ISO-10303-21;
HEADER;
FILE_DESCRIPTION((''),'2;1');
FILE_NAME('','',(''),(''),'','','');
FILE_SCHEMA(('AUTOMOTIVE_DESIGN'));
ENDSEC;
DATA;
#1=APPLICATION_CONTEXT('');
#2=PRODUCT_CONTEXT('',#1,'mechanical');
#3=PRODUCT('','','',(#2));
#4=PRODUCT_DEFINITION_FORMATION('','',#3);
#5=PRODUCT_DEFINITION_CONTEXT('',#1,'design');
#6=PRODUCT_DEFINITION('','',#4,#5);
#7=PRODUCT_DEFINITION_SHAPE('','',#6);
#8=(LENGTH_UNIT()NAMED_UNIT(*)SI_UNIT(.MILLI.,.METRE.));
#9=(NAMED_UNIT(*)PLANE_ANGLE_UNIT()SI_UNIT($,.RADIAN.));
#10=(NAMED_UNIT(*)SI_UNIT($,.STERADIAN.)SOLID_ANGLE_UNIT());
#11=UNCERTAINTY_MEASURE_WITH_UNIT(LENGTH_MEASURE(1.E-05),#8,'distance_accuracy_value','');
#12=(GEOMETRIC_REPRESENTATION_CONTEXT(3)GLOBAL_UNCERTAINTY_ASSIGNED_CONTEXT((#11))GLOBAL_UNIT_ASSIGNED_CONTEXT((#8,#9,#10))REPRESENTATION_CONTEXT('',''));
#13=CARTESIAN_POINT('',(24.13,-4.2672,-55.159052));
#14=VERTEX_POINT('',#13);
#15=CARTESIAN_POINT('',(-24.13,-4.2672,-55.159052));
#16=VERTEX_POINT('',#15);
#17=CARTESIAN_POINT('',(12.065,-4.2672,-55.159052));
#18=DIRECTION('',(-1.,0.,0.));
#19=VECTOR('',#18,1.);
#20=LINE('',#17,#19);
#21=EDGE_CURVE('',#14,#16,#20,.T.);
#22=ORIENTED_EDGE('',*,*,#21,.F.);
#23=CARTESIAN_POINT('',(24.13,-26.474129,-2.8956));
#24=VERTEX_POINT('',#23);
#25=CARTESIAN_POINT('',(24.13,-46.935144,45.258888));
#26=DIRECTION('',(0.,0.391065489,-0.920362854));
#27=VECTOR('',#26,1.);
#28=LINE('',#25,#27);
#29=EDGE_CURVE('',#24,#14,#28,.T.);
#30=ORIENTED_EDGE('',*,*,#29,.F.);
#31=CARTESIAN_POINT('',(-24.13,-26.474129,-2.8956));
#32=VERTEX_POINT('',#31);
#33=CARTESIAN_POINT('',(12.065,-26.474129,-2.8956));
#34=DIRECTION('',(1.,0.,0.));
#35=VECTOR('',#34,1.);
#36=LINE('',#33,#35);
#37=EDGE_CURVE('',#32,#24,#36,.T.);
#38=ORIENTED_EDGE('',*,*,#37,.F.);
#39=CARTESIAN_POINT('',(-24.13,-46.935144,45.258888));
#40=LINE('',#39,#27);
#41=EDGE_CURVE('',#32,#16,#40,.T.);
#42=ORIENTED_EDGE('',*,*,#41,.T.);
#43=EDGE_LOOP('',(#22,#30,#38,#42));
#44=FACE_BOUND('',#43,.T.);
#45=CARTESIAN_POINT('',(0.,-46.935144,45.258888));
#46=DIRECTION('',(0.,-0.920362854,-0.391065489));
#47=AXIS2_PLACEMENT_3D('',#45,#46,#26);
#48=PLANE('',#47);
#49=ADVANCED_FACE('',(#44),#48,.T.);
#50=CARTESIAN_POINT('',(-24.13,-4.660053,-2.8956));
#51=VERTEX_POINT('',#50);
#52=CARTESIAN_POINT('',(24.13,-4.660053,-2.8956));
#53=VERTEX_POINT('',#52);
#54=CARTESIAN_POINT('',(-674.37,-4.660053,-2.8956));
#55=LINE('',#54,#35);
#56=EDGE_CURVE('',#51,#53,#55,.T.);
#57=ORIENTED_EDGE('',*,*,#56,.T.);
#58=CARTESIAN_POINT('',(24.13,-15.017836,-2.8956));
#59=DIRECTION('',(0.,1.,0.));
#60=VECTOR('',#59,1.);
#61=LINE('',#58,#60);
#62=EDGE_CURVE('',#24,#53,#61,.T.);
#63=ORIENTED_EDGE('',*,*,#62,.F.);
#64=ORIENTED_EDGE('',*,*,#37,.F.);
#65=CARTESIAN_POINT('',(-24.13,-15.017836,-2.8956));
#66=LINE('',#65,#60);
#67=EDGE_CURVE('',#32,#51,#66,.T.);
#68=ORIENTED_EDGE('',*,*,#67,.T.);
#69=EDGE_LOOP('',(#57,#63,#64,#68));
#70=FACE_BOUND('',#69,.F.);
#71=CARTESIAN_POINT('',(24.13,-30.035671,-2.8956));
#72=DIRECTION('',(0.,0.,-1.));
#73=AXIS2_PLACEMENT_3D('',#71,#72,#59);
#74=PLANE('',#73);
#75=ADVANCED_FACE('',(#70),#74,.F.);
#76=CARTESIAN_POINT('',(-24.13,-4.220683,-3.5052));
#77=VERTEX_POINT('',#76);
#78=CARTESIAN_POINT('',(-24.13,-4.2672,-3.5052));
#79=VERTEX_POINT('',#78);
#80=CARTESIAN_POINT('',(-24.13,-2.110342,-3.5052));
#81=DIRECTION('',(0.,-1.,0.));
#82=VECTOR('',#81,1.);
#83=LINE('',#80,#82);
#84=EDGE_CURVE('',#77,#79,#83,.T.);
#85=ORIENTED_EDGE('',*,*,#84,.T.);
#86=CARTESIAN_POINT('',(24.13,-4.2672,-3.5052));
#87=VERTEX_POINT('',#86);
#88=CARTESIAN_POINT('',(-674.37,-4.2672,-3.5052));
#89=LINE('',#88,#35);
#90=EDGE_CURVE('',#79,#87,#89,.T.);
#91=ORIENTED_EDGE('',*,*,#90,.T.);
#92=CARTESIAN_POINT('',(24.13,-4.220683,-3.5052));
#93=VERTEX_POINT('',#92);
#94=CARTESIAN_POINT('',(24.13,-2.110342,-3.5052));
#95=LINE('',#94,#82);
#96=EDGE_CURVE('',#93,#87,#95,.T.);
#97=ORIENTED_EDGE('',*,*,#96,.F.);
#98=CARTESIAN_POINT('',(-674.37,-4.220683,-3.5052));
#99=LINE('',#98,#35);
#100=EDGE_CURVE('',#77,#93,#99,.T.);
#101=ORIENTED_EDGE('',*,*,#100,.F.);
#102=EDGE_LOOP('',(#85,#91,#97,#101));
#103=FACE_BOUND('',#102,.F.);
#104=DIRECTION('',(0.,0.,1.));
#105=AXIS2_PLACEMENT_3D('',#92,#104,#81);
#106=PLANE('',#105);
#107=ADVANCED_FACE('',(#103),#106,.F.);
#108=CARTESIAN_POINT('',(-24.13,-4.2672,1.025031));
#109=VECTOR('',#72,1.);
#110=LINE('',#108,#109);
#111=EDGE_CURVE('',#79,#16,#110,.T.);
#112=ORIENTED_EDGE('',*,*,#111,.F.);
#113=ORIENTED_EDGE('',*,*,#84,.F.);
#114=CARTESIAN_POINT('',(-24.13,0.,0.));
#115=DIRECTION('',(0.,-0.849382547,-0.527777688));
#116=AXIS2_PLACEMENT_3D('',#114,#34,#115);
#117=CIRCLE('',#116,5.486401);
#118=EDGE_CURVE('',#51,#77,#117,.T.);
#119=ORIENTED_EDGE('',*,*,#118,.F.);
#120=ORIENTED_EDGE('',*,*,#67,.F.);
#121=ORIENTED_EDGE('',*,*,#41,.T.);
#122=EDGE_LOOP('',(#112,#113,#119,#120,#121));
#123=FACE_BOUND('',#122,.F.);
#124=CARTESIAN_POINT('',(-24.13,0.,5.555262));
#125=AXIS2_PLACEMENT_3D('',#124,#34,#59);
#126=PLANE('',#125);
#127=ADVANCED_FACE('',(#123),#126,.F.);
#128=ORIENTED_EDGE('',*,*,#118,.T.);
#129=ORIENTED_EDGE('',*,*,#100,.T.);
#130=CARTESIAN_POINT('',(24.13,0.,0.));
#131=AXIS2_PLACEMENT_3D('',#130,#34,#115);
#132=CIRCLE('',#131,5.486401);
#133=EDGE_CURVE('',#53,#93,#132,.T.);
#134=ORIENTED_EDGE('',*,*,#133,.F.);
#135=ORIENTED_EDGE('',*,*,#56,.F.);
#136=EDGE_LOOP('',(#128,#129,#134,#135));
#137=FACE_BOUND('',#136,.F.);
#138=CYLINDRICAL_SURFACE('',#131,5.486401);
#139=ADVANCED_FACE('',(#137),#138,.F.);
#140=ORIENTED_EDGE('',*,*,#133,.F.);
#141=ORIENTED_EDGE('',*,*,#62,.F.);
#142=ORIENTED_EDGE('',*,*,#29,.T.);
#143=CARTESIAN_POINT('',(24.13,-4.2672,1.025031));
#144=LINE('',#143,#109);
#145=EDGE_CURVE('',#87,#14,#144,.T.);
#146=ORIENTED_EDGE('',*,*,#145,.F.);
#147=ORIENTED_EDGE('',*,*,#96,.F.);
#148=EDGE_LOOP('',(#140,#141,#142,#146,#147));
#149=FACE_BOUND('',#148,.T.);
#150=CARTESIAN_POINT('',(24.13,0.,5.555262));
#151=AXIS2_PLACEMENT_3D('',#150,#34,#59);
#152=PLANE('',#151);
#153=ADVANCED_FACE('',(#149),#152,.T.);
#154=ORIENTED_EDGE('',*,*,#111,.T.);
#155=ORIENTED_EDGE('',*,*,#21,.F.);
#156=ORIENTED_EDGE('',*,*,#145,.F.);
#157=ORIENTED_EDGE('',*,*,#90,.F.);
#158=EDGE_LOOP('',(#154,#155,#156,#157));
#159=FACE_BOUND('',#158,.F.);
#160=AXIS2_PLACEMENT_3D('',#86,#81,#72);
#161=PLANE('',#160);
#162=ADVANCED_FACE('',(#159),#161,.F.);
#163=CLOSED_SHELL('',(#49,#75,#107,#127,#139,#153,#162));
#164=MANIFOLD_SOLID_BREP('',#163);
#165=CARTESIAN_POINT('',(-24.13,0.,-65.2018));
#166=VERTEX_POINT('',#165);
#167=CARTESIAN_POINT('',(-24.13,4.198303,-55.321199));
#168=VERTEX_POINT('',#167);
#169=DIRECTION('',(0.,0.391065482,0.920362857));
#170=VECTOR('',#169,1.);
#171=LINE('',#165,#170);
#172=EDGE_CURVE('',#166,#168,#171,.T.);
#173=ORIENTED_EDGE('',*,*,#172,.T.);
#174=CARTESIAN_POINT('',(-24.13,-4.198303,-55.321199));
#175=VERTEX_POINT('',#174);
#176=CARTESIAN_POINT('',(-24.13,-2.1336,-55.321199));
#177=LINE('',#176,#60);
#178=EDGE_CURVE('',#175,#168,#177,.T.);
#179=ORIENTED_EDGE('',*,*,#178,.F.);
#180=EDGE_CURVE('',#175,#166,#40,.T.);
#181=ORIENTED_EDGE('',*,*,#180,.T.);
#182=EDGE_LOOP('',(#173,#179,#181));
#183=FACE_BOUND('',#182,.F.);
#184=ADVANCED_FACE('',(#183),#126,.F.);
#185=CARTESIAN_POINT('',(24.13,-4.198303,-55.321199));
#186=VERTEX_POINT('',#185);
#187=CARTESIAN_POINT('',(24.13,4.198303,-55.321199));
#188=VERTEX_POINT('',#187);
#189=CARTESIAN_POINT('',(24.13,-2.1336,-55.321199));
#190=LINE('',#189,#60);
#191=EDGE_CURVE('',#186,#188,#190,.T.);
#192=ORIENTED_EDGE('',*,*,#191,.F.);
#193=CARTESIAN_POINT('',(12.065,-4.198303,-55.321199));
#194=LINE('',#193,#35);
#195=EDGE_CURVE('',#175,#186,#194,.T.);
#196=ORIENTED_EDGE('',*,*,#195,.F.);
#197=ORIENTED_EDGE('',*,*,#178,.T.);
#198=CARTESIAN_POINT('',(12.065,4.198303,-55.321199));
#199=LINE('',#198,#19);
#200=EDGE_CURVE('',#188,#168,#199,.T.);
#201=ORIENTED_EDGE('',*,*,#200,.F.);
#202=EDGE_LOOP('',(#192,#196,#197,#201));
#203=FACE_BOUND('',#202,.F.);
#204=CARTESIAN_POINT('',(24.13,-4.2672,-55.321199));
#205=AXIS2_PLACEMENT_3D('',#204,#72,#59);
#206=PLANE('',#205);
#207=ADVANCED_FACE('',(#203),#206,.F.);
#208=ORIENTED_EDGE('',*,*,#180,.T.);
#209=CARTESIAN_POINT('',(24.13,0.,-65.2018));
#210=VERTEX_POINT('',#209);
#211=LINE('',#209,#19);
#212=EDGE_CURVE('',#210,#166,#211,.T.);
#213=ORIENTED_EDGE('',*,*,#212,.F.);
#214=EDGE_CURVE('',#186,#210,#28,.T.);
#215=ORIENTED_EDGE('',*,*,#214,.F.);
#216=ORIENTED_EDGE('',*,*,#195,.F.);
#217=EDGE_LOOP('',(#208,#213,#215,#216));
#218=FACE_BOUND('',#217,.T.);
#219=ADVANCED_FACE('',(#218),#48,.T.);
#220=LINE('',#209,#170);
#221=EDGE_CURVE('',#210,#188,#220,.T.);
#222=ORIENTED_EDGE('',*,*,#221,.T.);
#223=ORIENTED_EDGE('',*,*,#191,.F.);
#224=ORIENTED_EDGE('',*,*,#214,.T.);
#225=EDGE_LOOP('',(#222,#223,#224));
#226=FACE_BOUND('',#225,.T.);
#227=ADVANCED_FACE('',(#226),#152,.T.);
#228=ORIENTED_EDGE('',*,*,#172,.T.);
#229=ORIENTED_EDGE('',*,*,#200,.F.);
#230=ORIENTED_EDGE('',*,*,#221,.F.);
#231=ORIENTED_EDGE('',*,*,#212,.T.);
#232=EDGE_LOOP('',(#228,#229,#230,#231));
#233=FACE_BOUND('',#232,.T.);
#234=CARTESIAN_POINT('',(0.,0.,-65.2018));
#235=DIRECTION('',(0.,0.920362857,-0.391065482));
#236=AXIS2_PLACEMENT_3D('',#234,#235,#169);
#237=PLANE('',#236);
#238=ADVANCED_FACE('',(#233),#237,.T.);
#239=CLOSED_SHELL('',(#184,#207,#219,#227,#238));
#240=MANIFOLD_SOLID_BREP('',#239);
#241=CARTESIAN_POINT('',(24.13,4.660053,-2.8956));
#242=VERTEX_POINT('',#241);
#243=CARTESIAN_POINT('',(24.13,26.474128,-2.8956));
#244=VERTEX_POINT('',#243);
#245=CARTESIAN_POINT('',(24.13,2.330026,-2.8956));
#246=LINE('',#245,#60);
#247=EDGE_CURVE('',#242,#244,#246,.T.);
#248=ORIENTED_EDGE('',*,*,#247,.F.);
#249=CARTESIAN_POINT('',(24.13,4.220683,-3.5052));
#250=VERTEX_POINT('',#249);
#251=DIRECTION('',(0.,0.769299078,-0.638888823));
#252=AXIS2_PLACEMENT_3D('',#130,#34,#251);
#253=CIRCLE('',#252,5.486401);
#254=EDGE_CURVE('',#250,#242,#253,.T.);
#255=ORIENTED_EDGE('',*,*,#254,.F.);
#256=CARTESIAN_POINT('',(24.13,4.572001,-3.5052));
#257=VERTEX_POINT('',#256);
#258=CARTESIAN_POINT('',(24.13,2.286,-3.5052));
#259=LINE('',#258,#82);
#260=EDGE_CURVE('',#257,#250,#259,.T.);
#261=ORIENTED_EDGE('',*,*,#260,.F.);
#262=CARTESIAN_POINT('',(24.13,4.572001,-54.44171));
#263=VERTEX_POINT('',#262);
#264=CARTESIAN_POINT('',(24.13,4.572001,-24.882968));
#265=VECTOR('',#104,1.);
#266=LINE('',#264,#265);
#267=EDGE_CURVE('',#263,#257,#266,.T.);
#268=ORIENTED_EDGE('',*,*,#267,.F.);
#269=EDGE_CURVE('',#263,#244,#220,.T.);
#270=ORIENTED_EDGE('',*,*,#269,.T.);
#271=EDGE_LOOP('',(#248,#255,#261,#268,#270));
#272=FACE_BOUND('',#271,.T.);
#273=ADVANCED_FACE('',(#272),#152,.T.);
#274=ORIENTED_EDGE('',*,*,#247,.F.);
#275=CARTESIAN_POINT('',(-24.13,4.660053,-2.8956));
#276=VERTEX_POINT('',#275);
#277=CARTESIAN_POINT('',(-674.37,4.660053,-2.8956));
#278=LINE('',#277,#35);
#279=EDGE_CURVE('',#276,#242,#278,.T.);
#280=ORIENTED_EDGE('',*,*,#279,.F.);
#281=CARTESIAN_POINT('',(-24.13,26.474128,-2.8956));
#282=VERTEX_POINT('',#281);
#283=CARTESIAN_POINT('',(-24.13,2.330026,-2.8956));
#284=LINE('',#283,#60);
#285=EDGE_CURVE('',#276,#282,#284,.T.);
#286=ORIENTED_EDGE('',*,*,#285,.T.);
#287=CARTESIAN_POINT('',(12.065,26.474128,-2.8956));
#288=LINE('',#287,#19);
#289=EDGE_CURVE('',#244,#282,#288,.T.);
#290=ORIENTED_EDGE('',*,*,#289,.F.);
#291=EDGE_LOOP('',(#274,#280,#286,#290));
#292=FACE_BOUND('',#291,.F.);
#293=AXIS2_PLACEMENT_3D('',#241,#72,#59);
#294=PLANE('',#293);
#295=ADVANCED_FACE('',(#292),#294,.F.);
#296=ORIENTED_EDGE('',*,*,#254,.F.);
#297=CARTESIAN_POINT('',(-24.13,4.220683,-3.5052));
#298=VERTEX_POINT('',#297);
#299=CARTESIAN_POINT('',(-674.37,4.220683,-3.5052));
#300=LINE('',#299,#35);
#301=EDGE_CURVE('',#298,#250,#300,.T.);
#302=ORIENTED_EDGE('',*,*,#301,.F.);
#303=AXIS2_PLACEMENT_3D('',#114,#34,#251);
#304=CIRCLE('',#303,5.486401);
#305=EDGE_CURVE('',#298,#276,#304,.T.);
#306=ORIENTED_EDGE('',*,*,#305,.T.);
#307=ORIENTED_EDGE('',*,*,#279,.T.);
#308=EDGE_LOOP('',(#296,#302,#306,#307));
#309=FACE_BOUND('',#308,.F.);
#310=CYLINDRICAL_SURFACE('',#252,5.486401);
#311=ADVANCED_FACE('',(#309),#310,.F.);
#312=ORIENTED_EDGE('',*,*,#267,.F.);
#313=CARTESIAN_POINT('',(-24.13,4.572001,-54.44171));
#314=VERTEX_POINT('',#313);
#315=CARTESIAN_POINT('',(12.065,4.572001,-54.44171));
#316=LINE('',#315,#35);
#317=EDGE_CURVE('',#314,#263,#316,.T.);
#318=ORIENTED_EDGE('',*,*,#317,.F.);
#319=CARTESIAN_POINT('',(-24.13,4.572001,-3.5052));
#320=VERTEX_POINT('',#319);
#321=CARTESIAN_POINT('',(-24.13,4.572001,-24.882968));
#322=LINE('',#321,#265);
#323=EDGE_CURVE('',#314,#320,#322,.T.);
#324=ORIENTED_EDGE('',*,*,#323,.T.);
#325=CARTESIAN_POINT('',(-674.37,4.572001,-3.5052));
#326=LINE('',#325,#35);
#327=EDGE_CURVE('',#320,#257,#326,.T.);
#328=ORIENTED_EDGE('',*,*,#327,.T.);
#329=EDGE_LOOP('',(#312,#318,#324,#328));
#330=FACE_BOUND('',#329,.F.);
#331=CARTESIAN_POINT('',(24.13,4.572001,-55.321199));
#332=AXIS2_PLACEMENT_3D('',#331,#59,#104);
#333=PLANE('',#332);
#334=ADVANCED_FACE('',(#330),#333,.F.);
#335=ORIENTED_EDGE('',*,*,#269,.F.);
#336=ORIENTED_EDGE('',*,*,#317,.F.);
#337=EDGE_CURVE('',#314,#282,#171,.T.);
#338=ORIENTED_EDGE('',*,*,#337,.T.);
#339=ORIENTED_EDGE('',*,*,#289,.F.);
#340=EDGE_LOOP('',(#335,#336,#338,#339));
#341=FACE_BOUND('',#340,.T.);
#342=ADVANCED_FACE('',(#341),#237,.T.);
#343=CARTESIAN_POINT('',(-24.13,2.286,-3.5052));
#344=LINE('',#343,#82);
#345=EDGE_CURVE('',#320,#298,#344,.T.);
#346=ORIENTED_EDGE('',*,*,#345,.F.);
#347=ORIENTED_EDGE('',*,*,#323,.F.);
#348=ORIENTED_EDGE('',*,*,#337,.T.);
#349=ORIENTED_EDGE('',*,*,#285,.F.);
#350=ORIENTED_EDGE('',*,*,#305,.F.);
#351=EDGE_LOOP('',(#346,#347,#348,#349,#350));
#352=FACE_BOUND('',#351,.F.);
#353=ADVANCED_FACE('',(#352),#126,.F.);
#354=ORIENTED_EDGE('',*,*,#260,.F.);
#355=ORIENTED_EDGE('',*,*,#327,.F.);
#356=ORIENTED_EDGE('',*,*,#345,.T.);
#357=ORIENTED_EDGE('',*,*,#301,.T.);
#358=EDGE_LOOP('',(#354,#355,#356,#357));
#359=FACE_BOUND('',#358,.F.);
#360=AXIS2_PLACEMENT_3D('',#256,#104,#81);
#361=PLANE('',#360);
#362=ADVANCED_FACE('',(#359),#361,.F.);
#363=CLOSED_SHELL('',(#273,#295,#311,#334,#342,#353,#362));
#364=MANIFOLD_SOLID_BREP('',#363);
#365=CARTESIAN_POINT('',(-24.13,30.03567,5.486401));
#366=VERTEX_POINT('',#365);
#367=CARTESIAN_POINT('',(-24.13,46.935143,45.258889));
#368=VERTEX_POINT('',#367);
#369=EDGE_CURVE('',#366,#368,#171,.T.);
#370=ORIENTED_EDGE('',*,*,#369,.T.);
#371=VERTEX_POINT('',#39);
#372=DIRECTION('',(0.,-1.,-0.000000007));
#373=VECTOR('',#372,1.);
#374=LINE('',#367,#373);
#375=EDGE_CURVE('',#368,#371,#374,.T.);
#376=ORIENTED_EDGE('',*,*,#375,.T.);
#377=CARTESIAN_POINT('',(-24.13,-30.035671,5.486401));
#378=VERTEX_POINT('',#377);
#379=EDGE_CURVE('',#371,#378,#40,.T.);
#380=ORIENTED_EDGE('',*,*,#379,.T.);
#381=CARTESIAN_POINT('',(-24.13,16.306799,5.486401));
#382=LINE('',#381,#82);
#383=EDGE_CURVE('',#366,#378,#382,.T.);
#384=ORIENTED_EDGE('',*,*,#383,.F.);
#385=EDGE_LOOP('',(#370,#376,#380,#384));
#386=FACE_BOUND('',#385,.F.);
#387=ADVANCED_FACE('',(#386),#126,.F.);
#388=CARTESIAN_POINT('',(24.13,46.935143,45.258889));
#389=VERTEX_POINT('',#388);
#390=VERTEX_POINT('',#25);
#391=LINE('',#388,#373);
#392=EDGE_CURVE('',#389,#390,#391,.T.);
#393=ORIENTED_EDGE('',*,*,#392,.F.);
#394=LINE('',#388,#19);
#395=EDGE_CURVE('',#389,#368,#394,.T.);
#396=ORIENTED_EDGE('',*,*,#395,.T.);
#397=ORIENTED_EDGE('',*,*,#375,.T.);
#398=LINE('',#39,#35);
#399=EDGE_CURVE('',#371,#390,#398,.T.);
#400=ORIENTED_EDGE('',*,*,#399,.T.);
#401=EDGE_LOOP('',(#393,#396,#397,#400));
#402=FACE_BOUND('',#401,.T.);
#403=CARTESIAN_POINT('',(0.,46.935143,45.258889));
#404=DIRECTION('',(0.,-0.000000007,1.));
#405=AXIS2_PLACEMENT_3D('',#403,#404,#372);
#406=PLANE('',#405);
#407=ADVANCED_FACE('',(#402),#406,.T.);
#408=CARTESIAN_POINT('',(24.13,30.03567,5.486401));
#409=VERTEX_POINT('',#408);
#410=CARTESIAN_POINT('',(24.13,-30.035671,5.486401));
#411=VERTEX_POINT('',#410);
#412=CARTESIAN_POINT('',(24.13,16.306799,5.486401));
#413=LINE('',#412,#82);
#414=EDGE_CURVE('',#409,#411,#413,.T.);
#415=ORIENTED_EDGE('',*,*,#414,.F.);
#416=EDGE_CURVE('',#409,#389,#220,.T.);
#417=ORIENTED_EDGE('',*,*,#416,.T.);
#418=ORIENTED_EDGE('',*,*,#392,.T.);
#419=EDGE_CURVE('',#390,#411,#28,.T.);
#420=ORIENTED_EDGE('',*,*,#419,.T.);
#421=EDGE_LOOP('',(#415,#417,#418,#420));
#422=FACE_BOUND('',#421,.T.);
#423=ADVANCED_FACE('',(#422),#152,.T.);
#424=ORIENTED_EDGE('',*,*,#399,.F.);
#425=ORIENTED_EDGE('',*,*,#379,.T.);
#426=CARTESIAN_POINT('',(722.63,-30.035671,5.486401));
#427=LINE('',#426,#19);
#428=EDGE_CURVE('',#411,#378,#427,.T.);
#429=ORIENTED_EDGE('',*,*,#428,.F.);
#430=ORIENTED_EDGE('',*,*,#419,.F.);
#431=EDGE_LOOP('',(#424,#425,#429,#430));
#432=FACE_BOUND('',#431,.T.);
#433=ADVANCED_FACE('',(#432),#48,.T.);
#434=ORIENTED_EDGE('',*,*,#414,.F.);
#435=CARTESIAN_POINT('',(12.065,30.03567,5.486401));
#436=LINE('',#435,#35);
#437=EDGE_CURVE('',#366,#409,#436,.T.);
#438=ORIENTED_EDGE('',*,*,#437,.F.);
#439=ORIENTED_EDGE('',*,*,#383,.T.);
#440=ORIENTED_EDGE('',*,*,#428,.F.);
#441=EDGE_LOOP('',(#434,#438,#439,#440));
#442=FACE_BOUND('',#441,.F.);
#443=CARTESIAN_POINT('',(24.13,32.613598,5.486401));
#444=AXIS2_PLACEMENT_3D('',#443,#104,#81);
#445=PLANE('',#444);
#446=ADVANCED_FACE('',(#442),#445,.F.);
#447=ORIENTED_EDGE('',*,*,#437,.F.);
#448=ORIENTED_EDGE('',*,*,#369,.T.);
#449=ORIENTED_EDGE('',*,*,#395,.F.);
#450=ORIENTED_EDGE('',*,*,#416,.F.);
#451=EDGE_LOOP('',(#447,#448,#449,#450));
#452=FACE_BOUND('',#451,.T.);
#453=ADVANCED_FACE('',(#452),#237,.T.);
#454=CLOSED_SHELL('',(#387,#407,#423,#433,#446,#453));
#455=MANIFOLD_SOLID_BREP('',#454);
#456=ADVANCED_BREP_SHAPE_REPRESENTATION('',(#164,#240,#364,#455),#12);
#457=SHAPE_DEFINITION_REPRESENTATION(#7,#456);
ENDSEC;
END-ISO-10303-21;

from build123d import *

# Parameters (mm, degrees)
F1_DEPTH = 24.13
F2_W     = 0.9143985808
F2_H     = 8.3820007276
F3_DEPTH = 698.5


with BuildPart() as f1:
    # F0 (on Right) → F1 (new body, symmetric)
    with BuildSketch(Plane.YZ):
        Polygon((46.9351433823, 45.2588890597), (-46.9351440185, 45.2588884), (0, -65.2018), align=None)
    extrude(amount=F1_DEPTH, both=True)

    # F2 (on face) → F3 (cut, symmetric)
    with BuildSketch(Plane.YZ.offset(24.13)):
        with BuildLine():
            Line((0, 0), (5.486400798, 0))
            ThreePointArc((5.486400798, 0), (3.8794712085, 3.8794712085), (0, 5.486400798))
            Line((0, 5.486400798), (0, 0))
        make_face()
        with BuildLine():
            Line((5.486400798, -2.8955999296), (5.486400798, 0))
            ThreePointArc((5.486400798, 0), (5.2757706871, -1.505601997), (4.6600530859, -2.8955999296))
            Line((4.6600530859, -2.8955999296), (5.486400798, -2.8955999296))
        make_face()
        with BuildLine():
            ThreePointArc((4.6600530859, -2.8955999296), (5.2757706871, -1.505601997), (5.486400798, 0))
            Line((5.486400798, 0), (0, 0))
            Line((0, 0), (0, 5.486400798))
            ThreePointArc((0, 5.486400798), (-4.7951546107, 2.665911847), (-4.6600530859, -2.8955999296))
            Line((-4.6600530859, -2.8955999296), (4.6600530859, -2.8955999296))
        make_face()
        with BuildLine():
            ThreePointArc((0, 5.486400798), (3.8794712085, 3.8794712085), (5.486400798, 0))
            Line((5.486400798, 0), (5.486400798, 5.486400798))
            Line((5.486400798, 5.486400798), (0, 5.486400798))
        make_face()
        Polygon((5.486400798, 5.486400798), (5.486400798, 0), (5.486400798, -2.8955999296), (31.6991992295, -2.8955999296), (31.6991992295, 5.486400798), align=None)
        with BuildLine():
            ThreePointArc((-4.6600530859, -2.8955999296), (-4.7951546107, 2.665911847), (0, 5.486400798))
            Line((0, 5.486400798), (-30.0356709063, 5.486400798))
            Line((-30.0356709063, 5.486400798), (-30.0356709063, -2.8955999296))
            Line((-30.0356709063, -2.8955999296), (-4.6600530859, -2.8955999296))
        make_face()
        with BuildLine():
            ThreePointArc((4.2206830775, -3.5052001476), (4.450816982, -3.2079310947), (4.6600530859, -2.8955999296))
            Line((4.6600530859, -2.8955999296), (-4.6600530859, -2.8955999296))
            ThreePointArc((-4.6600530859, -2.8955999296), (-4.450816982, -3.2079310947), (-4.2206830775, -3.5052001476))
            Line((-4.2206830775, -3.5052001476), (4.2206830775, -3.5052001476))
        make_face()
        with BuildLine():
            Line((4.5720008202, -3.5052001476), (4.2206830775, -3.5052001476))
            ThreePointArc((4.2206830775, -3.5052001476), (0, -5.486400798), (-4.2206830775, -3.5052001476))
            Line((-4.2206830775, -3.5052001476), (-4.2671998963, -3.5052001476))
            Line((-4.2671998963, -3.5052001476), (-4.2671998963, -55.3211988881))
            Line((-4.2671998963, -55.3211988881), (4.5720008202, -55.3211988881))
            Line((4.5720008202, -55.3211988881), (4.5720008202, -3.5052001476))
        make_face()
        with BuildLine():
            ThreePointArc((-4.2206830775, -3.5052001476), (0, -5.486400798), (4.2206830775, -3.5052001476))
            Line((4.2206830775, -3.5052001476), (-4.2206830775, -3.5052001476))
        make_face()
        with Locations((32.1563985199, 1.2954004342)):
            Rectangle(F2_W, F2_H)
    extrude(amount=F3_DEPTH, both=True, mode=Mode.SUBTRACT)


solid = f1.part
